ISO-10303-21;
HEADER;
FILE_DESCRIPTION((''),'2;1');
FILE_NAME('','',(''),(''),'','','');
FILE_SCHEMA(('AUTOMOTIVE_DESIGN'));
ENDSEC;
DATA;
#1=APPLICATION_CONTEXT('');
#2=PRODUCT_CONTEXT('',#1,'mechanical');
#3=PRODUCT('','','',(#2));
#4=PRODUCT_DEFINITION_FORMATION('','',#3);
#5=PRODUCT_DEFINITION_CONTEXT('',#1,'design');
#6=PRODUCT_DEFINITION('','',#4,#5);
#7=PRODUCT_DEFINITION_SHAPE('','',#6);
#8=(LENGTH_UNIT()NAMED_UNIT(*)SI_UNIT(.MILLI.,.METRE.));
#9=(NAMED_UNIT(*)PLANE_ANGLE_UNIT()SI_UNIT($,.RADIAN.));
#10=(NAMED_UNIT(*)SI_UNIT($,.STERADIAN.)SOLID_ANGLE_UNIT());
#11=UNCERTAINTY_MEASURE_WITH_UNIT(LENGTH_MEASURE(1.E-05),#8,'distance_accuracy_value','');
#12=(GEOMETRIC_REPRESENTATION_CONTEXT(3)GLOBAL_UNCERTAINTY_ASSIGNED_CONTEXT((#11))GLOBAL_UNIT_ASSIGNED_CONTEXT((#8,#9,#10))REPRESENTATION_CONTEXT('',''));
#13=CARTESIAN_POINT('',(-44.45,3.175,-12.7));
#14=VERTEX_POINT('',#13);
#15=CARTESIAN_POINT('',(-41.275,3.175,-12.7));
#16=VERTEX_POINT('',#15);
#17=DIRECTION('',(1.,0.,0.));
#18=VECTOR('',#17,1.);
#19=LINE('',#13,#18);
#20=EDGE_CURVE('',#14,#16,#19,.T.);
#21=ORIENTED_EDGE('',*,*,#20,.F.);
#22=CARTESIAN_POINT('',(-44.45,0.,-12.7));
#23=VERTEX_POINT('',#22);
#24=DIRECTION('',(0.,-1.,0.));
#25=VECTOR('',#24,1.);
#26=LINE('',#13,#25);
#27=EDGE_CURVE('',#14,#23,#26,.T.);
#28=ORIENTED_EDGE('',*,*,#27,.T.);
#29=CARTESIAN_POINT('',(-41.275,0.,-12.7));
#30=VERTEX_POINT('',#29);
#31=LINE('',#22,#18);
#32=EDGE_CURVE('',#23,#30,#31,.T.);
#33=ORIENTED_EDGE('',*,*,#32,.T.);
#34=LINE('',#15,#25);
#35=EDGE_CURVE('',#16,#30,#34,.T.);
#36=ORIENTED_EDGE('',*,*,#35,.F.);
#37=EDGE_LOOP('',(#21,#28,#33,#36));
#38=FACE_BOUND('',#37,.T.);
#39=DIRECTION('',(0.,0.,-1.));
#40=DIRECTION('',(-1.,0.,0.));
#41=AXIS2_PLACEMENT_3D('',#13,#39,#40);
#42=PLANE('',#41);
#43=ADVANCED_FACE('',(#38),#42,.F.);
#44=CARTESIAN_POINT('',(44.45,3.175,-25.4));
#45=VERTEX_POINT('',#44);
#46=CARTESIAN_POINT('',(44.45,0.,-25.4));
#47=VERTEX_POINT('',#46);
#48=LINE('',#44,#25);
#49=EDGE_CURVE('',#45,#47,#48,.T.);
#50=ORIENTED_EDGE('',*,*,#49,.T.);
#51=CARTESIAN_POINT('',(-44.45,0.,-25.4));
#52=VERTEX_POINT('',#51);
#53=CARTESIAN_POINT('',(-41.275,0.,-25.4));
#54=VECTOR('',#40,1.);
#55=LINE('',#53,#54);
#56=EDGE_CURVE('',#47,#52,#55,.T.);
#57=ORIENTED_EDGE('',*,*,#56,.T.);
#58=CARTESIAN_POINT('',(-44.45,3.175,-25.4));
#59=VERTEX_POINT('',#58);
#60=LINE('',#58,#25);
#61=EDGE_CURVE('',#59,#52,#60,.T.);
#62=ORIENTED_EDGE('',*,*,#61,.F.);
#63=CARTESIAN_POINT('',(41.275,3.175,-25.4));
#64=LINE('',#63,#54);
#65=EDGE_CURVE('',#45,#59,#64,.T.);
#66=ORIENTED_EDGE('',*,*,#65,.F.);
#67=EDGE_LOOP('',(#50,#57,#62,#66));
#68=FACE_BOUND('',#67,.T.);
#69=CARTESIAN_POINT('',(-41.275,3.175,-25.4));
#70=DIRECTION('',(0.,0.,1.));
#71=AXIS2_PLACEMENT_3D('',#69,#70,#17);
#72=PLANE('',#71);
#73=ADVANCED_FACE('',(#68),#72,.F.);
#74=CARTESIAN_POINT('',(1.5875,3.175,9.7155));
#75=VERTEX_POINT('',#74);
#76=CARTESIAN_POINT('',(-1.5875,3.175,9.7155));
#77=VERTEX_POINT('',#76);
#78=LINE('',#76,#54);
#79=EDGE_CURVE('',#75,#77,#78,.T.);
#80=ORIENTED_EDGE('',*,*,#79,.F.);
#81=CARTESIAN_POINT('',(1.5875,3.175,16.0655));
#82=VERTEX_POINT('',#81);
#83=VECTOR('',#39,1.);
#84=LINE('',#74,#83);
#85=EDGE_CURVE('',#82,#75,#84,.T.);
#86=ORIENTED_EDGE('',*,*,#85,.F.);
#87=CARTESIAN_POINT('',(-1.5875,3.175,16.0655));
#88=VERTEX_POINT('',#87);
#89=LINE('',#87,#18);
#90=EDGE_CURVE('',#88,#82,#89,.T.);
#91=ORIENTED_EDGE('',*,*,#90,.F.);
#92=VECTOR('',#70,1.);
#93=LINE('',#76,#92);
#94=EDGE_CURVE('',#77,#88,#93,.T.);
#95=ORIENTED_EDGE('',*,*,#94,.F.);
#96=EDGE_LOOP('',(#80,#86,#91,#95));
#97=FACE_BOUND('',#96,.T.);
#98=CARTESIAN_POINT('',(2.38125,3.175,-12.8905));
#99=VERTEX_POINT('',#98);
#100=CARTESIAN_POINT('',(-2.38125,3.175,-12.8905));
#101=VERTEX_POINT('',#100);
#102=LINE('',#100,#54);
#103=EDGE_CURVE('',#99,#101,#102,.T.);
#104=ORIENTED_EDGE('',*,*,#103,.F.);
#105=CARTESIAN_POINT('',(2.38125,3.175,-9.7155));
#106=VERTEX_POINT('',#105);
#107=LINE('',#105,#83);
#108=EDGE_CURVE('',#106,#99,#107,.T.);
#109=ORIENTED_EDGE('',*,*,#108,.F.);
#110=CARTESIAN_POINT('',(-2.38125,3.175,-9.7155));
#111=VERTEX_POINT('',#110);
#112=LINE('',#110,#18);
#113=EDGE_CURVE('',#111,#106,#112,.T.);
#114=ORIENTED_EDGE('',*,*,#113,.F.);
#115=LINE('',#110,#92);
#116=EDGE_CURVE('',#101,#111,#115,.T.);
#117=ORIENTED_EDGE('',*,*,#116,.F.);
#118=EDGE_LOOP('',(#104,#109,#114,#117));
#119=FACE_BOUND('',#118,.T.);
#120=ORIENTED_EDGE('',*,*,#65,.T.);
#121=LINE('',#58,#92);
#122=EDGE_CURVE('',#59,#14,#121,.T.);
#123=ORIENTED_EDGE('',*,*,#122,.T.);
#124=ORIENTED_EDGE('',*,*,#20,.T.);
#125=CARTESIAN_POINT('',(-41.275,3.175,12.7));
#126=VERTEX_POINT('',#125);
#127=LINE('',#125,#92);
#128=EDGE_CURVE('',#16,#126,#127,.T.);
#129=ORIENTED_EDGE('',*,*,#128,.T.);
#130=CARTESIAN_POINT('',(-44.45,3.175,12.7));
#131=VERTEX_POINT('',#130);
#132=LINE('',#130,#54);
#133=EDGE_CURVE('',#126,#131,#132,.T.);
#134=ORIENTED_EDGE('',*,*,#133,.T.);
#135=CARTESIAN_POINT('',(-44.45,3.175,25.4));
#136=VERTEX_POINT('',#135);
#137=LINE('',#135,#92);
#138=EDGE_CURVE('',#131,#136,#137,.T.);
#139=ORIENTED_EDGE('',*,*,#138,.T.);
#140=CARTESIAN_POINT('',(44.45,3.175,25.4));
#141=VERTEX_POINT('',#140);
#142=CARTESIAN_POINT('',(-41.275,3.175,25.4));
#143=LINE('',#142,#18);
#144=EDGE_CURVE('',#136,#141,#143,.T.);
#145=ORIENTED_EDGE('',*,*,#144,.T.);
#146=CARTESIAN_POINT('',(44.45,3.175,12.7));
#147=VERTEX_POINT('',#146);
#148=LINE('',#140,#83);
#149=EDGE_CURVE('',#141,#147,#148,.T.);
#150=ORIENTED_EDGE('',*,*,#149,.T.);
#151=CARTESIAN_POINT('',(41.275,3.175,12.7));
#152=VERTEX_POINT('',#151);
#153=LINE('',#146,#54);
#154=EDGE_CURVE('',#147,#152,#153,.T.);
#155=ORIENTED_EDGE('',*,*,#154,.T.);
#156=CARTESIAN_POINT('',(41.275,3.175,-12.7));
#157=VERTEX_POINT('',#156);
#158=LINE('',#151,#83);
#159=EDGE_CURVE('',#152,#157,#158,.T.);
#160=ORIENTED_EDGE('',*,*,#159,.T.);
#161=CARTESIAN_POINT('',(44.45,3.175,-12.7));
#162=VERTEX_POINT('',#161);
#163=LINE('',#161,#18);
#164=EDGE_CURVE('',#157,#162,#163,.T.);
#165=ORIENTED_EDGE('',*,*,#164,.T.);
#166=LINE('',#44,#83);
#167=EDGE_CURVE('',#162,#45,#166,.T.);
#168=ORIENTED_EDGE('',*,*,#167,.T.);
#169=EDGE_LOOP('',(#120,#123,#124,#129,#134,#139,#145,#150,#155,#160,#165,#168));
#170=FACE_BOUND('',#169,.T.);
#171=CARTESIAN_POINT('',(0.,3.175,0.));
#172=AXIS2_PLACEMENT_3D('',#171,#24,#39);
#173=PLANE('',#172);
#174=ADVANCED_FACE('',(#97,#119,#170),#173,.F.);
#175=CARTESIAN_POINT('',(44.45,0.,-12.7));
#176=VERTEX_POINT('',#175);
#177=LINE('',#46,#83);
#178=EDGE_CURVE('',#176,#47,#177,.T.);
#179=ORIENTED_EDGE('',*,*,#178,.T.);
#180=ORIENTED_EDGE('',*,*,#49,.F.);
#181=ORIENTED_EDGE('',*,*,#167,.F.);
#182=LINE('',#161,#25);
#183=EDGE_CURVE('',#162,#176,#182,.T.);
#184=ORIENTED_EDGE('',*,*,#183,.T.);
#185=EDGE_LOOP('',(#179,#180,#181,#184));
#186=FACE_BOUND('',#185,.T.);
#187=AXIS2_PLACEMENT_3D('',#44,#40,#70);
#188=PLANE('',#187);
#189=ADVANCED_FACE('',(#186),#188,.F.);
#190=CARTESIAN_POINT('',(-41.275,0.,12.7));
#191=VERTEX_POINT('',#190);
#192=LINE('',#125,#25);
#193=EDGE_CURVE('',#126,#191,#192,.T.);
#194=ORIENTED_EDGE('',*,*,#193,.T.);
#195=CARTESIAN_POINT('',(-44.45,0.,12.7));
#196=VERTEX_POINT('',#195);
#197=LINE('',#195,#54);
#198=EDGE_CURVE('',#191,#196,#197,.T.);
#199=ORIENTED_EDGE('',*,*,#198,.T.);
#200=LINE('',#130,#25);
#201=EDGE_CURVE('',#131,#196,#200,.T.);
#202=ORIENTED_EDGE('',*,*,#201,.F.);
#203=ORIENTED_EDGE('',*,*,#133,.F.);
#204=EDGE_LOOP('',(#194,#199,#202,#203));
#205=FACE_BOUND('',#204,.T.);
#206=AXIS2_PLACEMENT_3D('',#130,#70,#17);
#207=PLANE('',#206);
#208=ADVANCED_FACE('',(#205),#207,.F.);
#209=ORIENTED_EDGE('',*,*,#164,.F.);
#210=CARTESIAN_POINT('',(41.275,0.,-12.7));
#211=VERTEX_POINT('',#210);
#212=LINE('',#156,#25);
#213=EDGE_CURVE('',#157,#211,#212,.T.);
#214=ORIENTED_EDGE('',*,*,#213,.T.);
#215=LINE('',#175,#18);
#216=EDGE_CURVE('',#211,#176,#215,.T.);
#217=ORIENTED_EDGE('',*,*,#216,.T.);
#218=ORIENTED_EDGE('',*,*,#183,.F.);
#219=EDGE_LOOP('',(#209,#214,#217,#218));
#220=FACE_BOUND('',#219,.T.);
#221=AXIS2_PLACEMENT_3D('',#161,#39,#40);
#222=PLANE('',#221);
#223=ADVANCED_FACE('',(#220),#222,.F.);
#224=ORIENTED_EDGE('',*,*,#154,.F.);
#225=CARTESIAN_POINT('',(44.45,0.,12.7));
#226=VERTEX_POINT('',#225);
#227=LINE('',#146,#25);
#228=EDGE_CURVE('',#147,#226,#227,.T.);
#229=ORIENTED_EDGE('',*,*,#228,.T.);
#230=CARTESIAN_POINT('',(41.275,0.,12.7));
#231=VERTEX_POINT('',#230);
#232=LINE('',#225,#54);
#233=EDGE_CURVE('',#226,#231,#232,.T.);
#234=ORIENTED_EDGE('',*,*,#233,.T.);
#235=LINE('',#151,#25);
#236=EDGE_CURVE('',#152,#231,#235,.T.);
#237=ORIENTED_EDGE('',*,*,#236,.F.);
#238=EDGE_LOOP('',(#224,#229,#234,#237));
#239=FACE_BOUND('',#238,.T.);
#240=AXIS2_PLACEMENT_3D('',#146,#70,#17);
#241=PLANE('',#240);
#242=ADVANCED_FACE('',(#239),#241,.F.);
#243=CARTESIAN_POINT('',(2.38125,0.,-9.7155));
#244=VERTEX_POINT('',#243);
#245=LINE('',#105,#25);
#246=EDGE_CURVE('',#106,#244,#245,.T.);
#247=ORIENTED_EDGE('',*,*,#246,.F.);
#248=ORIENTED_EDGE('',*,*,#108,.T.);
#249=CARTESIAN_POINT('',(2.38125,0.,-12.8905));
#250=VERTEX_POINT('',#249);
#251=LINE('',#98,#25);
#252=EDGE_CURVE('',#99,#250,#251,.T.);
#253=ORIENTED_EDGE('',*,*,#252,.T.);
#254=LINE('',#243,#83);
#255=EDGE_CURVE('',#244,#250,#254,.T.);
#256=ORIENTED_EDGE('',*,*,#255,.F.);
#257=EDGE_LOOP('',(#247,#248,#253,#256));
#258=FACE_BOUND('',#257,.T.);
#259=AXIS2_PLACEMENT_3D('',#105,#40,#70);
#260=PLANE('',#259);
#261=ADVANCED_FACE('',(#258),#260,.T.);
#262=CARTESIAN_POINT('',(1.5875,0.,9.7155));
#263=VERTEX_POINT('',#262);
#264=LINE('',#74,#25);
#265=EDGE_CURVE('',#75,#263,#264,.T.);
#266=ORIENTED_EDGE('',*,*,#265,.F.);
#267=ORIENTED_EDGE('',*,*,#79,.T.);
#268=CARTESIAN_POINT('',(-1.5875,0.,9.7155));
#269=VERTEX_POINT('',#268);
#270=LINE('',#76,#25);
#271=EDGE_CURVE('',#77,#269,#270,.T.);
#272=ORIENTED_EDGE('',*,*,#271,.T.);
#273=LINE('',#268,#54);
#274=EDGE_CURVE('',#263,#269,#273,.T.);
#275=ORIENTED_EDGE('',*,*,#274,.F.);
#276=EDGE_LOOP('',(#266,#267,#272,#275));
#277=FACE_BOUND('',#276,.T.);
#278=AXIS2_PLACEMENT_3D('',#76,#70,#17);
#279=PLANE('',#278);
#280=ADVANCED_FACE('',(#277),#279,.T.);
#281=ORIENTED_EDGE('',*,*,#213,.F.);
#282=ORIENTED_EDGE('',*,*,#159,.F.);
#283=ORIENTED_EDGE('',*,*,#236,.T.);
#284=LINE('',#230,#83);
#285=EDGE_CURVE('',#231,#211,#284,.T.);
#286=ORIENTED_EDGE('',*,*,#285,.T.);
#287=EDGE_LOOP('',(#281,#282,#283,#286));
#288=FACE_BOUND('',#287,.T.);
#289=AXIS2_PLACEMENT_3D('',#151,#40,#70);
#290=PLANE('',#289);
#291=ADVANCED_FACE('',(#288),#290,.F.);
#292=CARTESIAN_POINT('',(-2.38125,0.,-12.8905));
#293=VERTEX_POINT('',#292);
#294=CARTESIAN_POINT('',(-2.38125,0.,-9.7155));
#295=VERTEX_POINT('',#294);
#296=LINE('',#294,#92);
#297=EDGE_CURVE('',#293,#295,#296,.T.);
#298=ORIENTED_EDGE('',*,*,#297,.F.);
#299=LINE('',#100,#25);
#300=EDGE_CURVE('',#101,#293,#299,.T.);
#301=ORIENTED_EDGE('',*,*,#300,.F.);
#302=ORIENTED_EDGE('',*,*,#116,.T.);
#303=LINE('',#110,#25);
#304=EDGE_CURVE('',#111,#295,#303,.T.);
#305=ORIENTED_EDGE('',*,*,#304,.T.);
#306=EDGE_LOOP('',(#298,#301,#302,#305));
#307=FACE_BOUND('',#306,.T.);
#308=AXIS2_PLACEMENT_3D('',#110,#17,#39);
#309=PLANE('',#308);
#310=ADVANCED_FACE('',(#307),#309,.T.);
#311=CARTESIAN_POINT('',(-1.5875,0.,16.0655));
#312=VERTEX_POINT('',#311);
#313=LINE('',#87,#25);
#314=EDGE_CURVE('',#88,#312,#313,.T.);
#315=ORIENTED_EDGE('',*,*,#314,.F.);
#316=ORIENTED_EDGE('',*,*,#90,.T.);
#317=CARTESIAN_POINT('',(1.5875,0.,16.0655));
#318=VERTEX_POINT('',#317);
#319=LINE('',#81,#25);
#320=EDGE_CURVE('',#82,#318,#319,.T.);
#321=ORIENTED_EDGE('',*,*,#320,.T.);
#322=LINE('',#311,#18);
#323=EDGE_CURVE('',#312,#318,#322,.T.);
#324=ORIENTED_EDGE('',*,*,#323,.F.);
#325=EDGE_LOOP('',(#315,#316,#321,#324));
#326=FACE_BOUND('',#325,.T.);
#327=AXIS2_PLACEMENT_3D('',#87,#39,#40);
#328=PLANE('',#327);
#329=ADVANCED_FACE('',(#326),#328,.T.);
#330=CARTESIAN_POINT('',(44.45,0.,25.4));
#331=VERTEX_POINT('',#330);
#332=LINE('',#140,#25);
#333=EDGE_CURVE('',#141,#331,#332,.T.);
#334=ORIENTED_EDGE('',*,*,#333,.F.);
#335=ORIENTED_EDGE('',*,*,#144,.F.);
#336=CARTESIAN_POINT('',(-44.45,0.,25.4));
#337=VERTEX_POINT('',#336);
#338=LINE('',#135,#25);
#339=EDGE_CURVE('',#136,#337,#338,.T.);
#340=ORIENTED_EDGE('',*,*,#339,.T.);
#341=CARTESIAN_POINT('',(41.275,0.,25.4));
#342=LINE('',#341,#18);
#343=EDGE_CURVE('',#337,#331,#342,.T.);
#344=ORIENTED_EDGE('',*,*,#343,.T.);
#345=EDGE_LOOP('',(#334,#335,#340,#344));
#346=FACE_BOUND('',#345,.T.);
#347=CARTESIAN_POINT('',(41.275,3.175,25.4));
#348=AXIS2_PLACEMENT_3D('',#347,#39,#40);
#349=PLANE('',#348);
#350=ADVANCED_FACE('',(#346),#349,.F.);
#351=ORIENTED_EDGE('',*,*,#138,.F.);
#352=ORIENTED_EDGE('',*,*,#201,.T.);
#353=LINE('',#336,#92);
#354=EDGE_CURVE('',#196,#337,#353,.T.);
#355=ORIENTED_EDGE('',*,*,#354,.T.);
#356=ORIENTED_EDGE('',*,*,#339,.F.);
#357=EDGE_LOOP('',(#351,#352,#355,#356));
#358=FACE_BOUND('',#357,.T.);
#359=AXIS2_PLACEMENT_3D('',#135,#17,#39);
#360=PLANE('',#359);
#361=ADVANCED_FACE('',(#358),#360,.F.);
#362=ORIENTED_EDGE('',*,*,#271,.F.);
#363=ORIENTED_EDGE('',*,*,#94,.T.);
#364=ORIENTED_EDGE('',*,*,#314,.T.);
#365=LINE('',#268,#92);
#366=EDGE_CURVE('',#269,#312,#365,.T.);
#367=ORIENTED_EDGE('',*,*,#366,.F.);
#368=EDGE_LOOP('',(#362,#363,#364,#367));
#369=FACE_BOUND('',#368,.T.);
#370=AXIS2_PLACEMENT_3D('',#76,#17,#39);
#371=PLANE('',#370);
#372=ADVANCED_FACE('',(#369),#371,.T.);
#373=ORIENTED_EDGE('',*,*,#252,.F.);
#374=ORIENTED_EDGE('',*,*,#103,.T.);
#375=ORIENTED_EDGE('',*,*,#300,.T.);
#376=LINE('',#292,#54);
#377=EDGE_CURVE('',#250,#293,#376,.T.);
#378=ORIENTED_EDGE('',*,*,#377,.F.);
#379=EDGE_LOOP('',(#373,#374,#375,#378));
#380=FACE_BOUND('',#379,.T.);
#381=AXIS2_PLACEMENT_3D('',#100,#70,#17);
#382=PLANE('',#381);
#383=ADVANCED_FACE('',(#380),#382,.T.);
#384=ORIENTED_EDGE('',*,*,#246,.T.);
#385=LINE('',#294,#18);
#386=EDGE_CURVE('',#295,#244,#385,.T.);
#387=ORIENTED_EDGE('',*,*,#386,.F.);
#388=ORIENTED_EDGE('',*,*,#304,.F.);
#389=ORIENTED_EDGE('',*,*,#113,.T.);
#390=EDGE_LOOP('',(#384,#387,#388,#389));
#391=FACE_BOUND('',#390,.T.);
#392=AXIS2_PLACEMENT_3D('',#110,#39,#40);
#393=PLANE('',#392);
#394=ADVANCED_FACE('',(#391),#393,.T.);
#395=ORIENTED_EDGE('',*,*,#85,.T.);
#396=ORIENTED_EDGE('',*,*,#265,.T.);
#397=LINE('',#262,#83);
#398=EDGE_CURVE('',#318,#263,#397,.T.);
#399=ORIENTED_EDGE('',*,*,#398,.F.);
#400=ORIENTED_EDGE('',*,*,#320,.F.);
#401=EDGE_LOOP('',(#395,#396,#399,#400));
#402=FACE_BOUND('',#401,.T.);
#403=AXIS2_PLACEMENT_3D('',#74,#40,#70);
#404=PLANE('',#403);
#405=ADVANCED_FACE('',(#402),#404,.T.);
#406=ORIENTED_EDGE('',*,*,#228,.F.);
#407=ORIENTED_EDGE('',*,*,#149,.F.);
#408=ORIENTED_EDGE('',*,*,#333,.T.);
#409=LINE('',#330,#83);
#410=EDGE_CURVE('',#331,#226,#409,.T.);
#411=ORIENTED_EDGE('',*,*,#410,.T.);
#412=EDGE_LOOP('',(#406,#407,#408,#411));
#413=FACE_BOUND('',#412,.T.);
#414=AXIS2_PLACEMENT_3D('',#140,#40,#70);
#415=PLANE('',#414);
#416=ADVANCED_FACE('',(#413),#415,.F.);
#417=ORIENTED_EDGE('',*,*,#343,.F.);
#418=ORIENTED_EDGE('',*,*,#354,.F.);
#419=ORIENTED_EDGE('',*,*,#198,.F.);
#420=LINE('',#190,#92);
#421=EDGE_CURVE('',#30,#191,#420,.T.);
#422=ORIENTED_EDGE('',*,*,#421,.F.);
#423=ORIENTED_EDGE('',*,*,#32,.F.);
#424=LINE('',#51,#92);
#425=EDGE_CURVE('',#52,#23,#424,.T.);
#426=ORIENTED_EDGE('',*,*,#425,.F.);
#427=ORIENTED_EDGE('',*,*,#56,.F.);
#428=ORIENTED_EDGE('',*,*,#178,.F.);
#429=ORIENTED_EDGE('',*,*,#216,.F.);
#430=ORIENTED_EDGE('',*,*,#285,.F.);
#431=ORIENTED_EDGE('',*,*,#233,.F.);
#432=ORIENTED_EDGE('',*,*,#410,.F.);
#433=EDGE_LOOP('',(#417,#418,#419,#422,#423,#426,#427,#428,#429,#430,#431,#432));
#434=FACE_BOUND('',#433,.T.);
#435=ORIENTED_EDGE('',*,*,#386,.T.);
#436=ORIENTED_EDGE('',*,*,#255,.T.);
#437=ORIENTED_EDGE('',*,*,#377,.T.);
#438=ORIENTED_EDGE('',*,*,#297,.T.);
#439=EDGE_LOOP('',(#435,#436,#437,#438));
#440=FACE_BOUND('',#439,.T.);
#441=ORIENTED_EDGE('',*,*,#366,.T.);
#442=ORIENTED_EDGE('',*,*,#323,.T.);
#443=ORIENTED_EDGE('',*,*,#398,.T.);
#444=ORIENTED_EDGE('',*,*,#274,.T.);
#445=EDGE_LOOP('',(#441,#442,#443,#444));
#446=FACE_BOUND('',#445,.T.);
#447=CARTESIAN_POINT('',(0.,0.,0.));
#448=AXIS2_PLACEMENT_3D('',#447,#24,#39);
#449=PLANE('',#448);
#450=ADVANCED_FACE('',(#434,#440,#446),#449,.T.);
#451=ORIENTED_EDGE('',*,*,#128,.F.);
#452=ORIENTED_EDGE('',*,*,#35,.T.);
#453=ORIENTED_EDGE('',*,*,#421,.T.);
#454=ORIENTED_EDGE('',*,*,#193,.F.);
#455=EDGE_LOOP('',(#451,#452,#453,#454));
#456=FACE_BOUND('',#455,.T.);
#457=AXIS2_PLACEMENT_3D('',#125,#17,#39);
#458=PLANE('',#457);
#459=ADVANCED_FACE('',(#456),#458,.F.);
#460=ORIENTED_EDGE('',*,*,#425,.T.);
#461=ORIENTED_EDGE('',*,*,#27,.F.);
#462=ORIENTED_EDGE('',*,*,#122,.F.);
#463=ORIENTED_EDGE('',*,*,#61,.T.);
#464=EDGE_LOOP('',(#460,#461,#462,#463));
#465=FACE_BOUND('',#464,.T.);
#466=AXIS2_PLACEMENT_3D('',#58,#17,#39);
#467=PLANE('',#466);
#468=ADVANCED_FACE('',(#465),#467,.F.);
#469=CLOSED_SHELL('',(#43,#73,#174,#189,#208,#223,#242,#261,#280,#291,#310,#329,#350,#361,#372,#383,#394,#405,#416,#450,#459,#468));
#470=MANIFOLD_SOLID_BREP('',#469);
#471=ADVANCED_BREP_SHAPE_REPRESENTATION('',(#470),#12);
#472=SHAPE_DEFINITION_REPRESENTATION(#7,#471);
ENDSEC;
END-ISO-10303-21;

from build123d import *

# Parameters (mm, degrees)
SKETCH1_W           = 4.7625
SKETCH1_H           = 3.175
SKETCH1_W_2         = 3.175
SKETCH1_H_2         = 6.35
BOSS_EXTRUDE1_DEPTH = 3.175


with BuildPart() as part:
    # Sketch1 → Boss-Extrude1 (new body)
    with BuildSketch(Plane(origin=(0, 0, 0), x_dir=(1, 0, 0), z_dir=(0, 1, 0))):
        Polygon((-41.275, -12.7), (-41.275, 12.7), (-44.45, 12.7), (-44.45, 25.4), (-41.275, 25.4), (41.275, 25.4), (44.45, 25.4), (44.45, 12.7), (41.275, 12.7), (41.275, -12.7), (44.45, -12.7), (44.45, -25.4), (41.275, -25.4), (-41.275, -25.4), (-44.45, -25.4), (-44.45, -12.7), align=None)
        with Locations((0, 11.303)):
            Rectangle(SKETCH1_W, SKETCH1_H, mode=Mode.SUBTRACT)
        with Locations((0, -12.8905)):
            Rectangle(SKETCH1_W_2, SKETCH1_H_2, mode=Mode.SUBTRACT)
    extrude(amount=BOSS_EXTRUDE1_DEPTH)


solid = part.part
